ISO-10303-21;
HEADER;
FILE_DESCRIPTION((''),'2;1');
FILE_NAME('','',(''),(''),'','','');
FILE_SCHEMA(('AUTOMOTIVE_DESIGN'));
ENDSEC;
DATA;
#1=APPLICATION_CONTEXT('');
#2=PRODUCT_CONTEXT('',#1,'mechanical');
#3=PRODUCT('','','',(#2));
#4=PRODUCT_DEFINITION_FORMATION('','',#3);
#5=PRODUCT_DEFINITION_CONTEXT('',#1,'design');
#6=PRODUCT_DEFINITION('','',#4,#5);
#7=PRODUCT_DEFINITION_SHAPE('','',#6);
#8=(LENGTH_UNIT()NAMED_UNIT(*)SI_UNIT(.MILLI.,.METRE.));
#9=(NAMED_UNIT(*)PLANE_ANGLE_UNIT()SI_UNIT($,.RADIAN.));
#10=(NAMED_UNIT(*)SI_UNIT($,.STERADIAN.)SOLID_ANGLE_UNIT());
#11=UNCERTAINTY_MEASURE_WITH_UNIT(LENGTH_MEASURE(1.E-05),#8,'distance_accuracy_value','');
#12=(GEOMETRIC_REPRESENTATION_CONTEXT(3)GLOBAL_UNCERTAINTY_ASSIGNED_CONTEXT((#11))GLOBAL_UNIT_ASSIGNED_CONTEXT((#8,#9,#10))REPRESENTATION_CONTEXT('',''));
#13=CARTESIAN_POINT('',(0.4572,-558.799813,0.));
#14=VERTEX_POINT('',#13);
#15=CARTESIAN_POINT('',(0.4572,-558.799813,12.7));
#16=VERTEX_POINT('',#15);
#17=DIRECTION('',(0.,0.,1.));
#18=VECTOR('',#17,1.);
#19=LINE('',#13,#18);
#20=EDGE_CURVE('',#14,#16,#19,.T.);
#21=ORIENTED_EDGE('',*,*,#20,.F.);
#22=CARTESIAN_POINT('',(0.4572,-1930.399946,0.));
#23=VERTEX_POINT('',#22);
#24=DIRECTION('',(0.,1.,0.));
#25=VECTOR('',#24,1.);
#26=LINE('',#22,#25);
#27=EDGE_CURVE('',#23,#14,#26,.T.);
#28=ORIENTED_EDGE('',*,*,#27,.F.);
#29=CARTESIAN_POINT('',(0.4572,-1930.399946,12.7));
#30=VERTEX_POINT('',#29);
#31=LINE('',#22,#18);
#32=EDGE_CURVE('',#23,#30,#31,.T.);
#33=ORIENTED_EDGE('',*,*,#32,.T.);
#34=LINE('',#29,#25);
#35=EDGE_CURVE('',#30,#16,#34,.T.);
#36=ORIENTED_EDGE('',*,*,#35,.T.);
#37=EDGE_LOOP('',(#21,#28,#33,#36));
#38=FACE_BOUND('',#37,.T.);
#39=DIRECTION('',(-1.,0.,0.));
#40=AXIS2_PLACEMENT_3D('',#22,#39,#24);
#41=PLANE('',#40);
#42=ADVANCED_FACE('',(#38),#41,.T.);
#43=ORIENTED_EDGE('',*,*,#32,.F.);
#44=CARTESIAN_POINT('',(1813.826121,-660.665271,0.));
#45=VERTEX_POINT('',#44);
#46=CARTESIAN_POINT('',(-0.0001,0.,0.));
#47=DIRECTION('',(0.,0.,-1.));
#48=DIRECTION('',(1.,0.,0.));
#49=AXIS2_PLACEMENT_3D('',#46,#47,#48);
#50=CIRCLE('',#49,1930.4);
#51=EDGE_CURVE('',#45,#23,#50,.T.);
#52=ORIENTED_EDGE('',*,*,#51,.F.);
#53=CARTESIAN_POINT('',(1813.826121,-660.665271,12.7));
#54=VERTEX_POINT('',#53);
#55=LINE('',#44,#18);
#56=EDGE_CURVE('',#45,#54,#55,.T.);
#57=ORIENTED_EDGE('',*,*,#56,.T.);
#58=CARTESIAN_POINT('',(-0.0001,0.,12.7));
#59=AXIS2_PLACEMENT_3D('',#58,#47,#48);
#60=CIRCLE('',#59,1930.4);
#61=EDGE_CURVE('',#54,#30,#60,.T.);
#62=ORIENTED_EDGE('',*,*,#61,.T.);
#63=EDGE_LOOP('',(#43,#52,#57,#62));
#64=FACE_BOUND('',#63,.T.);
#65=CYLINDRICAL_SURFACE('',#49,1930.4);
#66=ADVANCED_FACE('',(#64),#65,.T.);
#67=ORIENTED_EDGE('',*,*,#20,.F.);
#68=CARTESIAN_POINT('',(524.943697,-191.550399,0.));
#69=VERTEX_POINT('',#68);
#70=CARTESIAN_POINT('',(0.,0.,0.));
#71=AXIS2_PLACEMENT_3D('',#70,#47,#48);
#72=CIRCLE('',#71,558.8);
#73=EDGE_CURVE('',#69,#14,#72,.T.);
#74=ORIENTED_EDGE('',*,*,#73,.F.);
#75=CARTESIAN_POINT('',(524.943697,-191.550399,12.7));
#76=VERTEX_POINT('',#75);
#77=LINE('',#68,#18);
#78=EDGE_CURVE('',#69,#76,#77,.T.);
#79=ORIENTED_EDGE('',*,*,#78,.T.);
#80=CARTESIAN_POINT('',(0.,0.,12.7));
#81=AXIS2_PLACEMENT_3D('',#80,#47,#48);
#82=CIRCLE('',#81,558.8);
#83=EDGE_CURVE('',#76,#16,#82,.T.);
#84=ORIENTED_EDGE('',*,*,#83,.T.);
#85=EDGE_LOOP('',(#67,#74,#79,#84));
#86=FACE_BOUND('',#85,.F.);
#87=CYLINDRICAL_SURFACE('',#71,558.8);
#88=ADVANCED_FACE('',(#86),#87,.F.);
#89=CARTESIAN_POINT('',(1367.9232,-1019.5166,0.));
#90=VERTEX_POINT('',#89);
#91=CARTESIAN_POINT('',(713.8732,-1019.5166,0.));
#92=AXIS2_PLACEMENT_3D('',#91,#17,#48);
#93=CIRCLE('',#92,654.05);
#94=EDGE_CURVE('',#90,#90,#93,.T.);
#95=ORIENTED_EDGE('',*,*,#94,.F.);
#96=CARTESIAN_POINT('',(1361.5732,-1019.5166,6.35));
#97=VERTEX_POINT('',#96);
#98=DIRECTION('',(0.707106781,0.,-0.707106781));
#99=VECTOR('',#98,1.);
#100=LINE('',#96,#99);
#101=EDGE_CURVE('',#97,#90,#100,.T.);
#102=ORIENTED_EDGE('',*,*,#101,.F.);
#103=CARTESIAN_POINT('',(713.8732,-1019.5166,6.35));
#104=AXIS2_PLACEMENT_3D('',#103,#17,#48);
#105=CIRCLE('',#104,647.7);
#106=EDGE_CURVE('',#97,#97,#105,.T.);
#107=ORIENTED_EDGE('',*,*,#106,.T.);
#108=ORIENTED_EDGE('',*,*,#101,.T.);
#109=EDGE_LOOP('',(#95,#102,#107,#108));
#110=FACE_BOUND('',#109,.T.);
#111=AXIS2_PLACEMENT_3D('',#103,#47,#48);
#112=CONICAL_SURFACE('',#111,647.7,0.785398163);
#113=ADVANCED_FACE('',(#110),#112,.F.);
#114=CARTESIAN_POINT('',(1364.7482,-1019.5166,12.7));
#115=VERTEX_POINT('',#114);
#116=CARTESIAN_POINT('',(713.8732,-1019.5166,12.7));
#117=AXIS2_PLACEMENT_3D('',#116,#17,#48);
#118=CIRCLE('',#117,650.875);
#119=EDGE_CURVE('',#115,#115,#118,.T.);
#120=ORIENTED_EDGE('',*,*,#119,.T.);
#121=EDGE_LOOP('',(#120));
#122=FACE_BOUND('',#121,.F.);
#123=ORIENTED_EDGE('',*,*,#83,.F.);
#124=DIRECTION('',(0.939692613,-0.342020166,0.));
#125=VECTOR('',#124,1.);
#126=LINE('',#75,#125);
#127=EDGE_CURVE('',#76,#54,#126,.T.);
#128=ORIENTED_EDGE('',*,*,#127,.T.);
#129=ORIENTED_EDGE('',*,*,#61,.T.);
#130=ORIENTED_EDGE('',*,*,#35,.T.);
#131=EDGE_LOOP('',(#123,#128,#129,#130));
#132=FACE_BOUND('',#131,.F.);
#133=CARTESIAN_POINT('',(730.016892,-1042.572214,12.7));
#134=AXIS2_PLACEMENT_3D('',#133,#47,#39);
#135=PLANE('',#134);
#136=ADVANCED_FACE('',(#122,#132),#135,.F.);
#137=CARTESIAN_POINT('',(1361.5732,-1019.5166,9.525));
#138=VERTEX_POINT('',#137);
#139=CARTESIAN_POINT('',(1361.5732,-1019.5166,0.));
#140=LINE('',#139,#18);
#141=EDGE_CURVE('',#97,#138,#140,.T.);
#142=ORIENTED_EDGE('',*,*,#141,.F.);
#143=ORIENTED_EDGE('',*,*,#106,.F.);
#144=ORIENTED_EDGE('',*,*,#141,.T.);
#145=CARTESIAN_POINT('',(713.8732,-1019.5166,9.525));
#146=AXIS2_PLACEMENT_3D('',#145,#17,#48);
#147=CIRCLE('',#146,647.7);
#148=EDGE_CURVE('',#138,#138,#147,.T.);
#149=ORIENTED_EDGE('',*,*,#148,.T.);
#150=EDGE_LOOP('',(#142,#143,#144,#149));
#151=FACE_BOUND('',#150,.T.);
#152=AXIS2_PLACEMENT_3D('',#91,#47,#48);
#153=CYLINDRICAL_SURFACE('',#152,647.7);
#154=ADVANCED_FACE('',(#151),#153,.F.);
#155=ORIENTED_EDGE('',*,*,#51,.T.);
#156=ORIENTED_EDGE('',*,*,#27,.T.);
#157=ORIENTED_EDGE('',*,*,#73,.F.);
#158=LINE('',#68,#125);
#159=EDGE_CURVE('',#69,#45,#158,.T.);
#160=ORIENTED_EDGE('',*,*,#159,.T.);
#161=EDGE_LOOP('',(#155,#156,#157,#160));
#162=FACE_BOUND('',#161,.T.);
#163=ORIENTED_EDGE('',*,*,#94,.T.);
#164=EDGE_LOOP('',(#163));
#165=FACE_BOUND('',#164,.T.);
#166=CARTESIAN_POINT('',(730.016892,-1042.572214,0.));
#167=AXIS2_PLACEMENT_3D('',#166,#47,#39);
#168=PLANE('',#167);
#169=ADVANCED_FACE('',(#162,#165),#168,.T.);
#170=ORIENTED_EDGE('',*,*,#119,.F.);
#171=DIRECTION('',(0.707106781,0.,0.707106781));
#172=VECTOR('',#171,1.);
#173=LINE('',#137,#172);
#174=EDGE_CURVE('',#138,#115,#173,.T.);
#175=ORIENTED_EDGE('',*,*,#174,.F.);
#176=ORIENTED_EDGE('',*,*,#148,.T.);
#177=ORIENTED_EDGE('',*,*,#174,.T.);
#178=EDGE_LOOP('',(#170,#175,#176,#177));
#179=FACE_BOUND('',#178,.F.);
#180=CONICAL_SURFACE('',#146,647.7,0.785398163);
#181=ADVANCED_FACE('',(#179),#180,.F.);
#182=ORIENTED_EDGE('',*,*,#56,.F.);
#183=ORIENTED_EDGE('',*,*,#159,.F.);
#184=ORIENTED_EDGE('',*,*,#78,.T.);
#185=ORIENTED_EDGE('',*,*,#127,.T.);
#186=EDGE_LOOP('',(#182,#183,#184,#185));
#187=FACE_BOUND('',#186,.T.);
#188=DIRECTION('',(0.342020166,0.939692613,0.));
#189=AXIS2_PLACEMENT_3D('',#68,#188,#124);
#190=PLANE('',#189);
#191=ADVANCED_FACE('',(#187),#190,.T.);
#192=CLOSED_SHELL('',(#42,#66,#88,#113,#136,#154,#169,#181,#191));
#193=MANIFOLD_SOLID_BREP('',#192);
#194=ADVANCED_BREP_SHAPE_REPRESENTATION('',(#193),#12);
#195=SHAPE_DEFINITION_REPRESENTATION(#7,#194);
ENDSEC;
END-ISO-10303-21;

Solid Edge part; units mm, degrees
sketch "Sketch1" plane through (0, 0, 0) normal (0, 0, 1) x (1, 0, 0)
  line L0 (524.9437, -191.5504) -> (1813.8262, -660.6653)
  line L1 (0.4572, -1930.4) -> (0.4572, -558.7998)
  arc A0 (1813.8262, -660.6653) -> (0.4572, -1930.4) centre (-0.0001, 0) cw
  arc A1 (524.9437, -191.5504) -> (0.4572, -558.7998) centre (0, 0) cw
  circle A2 centre (713.8732, -1019.5166) radius 647.7
extrude "Protrusion1" add sketch "Sketch1" along normal blind 12.7
chamfer "Chamfer_1" distance 3.175 angle 45 1 edges at (66.1732, -1019.5166, 12.7)
chamfer "Chamfer_2" distance 6.35 angle 45 1 edges at (66.1732, -1019.5166, 0)
